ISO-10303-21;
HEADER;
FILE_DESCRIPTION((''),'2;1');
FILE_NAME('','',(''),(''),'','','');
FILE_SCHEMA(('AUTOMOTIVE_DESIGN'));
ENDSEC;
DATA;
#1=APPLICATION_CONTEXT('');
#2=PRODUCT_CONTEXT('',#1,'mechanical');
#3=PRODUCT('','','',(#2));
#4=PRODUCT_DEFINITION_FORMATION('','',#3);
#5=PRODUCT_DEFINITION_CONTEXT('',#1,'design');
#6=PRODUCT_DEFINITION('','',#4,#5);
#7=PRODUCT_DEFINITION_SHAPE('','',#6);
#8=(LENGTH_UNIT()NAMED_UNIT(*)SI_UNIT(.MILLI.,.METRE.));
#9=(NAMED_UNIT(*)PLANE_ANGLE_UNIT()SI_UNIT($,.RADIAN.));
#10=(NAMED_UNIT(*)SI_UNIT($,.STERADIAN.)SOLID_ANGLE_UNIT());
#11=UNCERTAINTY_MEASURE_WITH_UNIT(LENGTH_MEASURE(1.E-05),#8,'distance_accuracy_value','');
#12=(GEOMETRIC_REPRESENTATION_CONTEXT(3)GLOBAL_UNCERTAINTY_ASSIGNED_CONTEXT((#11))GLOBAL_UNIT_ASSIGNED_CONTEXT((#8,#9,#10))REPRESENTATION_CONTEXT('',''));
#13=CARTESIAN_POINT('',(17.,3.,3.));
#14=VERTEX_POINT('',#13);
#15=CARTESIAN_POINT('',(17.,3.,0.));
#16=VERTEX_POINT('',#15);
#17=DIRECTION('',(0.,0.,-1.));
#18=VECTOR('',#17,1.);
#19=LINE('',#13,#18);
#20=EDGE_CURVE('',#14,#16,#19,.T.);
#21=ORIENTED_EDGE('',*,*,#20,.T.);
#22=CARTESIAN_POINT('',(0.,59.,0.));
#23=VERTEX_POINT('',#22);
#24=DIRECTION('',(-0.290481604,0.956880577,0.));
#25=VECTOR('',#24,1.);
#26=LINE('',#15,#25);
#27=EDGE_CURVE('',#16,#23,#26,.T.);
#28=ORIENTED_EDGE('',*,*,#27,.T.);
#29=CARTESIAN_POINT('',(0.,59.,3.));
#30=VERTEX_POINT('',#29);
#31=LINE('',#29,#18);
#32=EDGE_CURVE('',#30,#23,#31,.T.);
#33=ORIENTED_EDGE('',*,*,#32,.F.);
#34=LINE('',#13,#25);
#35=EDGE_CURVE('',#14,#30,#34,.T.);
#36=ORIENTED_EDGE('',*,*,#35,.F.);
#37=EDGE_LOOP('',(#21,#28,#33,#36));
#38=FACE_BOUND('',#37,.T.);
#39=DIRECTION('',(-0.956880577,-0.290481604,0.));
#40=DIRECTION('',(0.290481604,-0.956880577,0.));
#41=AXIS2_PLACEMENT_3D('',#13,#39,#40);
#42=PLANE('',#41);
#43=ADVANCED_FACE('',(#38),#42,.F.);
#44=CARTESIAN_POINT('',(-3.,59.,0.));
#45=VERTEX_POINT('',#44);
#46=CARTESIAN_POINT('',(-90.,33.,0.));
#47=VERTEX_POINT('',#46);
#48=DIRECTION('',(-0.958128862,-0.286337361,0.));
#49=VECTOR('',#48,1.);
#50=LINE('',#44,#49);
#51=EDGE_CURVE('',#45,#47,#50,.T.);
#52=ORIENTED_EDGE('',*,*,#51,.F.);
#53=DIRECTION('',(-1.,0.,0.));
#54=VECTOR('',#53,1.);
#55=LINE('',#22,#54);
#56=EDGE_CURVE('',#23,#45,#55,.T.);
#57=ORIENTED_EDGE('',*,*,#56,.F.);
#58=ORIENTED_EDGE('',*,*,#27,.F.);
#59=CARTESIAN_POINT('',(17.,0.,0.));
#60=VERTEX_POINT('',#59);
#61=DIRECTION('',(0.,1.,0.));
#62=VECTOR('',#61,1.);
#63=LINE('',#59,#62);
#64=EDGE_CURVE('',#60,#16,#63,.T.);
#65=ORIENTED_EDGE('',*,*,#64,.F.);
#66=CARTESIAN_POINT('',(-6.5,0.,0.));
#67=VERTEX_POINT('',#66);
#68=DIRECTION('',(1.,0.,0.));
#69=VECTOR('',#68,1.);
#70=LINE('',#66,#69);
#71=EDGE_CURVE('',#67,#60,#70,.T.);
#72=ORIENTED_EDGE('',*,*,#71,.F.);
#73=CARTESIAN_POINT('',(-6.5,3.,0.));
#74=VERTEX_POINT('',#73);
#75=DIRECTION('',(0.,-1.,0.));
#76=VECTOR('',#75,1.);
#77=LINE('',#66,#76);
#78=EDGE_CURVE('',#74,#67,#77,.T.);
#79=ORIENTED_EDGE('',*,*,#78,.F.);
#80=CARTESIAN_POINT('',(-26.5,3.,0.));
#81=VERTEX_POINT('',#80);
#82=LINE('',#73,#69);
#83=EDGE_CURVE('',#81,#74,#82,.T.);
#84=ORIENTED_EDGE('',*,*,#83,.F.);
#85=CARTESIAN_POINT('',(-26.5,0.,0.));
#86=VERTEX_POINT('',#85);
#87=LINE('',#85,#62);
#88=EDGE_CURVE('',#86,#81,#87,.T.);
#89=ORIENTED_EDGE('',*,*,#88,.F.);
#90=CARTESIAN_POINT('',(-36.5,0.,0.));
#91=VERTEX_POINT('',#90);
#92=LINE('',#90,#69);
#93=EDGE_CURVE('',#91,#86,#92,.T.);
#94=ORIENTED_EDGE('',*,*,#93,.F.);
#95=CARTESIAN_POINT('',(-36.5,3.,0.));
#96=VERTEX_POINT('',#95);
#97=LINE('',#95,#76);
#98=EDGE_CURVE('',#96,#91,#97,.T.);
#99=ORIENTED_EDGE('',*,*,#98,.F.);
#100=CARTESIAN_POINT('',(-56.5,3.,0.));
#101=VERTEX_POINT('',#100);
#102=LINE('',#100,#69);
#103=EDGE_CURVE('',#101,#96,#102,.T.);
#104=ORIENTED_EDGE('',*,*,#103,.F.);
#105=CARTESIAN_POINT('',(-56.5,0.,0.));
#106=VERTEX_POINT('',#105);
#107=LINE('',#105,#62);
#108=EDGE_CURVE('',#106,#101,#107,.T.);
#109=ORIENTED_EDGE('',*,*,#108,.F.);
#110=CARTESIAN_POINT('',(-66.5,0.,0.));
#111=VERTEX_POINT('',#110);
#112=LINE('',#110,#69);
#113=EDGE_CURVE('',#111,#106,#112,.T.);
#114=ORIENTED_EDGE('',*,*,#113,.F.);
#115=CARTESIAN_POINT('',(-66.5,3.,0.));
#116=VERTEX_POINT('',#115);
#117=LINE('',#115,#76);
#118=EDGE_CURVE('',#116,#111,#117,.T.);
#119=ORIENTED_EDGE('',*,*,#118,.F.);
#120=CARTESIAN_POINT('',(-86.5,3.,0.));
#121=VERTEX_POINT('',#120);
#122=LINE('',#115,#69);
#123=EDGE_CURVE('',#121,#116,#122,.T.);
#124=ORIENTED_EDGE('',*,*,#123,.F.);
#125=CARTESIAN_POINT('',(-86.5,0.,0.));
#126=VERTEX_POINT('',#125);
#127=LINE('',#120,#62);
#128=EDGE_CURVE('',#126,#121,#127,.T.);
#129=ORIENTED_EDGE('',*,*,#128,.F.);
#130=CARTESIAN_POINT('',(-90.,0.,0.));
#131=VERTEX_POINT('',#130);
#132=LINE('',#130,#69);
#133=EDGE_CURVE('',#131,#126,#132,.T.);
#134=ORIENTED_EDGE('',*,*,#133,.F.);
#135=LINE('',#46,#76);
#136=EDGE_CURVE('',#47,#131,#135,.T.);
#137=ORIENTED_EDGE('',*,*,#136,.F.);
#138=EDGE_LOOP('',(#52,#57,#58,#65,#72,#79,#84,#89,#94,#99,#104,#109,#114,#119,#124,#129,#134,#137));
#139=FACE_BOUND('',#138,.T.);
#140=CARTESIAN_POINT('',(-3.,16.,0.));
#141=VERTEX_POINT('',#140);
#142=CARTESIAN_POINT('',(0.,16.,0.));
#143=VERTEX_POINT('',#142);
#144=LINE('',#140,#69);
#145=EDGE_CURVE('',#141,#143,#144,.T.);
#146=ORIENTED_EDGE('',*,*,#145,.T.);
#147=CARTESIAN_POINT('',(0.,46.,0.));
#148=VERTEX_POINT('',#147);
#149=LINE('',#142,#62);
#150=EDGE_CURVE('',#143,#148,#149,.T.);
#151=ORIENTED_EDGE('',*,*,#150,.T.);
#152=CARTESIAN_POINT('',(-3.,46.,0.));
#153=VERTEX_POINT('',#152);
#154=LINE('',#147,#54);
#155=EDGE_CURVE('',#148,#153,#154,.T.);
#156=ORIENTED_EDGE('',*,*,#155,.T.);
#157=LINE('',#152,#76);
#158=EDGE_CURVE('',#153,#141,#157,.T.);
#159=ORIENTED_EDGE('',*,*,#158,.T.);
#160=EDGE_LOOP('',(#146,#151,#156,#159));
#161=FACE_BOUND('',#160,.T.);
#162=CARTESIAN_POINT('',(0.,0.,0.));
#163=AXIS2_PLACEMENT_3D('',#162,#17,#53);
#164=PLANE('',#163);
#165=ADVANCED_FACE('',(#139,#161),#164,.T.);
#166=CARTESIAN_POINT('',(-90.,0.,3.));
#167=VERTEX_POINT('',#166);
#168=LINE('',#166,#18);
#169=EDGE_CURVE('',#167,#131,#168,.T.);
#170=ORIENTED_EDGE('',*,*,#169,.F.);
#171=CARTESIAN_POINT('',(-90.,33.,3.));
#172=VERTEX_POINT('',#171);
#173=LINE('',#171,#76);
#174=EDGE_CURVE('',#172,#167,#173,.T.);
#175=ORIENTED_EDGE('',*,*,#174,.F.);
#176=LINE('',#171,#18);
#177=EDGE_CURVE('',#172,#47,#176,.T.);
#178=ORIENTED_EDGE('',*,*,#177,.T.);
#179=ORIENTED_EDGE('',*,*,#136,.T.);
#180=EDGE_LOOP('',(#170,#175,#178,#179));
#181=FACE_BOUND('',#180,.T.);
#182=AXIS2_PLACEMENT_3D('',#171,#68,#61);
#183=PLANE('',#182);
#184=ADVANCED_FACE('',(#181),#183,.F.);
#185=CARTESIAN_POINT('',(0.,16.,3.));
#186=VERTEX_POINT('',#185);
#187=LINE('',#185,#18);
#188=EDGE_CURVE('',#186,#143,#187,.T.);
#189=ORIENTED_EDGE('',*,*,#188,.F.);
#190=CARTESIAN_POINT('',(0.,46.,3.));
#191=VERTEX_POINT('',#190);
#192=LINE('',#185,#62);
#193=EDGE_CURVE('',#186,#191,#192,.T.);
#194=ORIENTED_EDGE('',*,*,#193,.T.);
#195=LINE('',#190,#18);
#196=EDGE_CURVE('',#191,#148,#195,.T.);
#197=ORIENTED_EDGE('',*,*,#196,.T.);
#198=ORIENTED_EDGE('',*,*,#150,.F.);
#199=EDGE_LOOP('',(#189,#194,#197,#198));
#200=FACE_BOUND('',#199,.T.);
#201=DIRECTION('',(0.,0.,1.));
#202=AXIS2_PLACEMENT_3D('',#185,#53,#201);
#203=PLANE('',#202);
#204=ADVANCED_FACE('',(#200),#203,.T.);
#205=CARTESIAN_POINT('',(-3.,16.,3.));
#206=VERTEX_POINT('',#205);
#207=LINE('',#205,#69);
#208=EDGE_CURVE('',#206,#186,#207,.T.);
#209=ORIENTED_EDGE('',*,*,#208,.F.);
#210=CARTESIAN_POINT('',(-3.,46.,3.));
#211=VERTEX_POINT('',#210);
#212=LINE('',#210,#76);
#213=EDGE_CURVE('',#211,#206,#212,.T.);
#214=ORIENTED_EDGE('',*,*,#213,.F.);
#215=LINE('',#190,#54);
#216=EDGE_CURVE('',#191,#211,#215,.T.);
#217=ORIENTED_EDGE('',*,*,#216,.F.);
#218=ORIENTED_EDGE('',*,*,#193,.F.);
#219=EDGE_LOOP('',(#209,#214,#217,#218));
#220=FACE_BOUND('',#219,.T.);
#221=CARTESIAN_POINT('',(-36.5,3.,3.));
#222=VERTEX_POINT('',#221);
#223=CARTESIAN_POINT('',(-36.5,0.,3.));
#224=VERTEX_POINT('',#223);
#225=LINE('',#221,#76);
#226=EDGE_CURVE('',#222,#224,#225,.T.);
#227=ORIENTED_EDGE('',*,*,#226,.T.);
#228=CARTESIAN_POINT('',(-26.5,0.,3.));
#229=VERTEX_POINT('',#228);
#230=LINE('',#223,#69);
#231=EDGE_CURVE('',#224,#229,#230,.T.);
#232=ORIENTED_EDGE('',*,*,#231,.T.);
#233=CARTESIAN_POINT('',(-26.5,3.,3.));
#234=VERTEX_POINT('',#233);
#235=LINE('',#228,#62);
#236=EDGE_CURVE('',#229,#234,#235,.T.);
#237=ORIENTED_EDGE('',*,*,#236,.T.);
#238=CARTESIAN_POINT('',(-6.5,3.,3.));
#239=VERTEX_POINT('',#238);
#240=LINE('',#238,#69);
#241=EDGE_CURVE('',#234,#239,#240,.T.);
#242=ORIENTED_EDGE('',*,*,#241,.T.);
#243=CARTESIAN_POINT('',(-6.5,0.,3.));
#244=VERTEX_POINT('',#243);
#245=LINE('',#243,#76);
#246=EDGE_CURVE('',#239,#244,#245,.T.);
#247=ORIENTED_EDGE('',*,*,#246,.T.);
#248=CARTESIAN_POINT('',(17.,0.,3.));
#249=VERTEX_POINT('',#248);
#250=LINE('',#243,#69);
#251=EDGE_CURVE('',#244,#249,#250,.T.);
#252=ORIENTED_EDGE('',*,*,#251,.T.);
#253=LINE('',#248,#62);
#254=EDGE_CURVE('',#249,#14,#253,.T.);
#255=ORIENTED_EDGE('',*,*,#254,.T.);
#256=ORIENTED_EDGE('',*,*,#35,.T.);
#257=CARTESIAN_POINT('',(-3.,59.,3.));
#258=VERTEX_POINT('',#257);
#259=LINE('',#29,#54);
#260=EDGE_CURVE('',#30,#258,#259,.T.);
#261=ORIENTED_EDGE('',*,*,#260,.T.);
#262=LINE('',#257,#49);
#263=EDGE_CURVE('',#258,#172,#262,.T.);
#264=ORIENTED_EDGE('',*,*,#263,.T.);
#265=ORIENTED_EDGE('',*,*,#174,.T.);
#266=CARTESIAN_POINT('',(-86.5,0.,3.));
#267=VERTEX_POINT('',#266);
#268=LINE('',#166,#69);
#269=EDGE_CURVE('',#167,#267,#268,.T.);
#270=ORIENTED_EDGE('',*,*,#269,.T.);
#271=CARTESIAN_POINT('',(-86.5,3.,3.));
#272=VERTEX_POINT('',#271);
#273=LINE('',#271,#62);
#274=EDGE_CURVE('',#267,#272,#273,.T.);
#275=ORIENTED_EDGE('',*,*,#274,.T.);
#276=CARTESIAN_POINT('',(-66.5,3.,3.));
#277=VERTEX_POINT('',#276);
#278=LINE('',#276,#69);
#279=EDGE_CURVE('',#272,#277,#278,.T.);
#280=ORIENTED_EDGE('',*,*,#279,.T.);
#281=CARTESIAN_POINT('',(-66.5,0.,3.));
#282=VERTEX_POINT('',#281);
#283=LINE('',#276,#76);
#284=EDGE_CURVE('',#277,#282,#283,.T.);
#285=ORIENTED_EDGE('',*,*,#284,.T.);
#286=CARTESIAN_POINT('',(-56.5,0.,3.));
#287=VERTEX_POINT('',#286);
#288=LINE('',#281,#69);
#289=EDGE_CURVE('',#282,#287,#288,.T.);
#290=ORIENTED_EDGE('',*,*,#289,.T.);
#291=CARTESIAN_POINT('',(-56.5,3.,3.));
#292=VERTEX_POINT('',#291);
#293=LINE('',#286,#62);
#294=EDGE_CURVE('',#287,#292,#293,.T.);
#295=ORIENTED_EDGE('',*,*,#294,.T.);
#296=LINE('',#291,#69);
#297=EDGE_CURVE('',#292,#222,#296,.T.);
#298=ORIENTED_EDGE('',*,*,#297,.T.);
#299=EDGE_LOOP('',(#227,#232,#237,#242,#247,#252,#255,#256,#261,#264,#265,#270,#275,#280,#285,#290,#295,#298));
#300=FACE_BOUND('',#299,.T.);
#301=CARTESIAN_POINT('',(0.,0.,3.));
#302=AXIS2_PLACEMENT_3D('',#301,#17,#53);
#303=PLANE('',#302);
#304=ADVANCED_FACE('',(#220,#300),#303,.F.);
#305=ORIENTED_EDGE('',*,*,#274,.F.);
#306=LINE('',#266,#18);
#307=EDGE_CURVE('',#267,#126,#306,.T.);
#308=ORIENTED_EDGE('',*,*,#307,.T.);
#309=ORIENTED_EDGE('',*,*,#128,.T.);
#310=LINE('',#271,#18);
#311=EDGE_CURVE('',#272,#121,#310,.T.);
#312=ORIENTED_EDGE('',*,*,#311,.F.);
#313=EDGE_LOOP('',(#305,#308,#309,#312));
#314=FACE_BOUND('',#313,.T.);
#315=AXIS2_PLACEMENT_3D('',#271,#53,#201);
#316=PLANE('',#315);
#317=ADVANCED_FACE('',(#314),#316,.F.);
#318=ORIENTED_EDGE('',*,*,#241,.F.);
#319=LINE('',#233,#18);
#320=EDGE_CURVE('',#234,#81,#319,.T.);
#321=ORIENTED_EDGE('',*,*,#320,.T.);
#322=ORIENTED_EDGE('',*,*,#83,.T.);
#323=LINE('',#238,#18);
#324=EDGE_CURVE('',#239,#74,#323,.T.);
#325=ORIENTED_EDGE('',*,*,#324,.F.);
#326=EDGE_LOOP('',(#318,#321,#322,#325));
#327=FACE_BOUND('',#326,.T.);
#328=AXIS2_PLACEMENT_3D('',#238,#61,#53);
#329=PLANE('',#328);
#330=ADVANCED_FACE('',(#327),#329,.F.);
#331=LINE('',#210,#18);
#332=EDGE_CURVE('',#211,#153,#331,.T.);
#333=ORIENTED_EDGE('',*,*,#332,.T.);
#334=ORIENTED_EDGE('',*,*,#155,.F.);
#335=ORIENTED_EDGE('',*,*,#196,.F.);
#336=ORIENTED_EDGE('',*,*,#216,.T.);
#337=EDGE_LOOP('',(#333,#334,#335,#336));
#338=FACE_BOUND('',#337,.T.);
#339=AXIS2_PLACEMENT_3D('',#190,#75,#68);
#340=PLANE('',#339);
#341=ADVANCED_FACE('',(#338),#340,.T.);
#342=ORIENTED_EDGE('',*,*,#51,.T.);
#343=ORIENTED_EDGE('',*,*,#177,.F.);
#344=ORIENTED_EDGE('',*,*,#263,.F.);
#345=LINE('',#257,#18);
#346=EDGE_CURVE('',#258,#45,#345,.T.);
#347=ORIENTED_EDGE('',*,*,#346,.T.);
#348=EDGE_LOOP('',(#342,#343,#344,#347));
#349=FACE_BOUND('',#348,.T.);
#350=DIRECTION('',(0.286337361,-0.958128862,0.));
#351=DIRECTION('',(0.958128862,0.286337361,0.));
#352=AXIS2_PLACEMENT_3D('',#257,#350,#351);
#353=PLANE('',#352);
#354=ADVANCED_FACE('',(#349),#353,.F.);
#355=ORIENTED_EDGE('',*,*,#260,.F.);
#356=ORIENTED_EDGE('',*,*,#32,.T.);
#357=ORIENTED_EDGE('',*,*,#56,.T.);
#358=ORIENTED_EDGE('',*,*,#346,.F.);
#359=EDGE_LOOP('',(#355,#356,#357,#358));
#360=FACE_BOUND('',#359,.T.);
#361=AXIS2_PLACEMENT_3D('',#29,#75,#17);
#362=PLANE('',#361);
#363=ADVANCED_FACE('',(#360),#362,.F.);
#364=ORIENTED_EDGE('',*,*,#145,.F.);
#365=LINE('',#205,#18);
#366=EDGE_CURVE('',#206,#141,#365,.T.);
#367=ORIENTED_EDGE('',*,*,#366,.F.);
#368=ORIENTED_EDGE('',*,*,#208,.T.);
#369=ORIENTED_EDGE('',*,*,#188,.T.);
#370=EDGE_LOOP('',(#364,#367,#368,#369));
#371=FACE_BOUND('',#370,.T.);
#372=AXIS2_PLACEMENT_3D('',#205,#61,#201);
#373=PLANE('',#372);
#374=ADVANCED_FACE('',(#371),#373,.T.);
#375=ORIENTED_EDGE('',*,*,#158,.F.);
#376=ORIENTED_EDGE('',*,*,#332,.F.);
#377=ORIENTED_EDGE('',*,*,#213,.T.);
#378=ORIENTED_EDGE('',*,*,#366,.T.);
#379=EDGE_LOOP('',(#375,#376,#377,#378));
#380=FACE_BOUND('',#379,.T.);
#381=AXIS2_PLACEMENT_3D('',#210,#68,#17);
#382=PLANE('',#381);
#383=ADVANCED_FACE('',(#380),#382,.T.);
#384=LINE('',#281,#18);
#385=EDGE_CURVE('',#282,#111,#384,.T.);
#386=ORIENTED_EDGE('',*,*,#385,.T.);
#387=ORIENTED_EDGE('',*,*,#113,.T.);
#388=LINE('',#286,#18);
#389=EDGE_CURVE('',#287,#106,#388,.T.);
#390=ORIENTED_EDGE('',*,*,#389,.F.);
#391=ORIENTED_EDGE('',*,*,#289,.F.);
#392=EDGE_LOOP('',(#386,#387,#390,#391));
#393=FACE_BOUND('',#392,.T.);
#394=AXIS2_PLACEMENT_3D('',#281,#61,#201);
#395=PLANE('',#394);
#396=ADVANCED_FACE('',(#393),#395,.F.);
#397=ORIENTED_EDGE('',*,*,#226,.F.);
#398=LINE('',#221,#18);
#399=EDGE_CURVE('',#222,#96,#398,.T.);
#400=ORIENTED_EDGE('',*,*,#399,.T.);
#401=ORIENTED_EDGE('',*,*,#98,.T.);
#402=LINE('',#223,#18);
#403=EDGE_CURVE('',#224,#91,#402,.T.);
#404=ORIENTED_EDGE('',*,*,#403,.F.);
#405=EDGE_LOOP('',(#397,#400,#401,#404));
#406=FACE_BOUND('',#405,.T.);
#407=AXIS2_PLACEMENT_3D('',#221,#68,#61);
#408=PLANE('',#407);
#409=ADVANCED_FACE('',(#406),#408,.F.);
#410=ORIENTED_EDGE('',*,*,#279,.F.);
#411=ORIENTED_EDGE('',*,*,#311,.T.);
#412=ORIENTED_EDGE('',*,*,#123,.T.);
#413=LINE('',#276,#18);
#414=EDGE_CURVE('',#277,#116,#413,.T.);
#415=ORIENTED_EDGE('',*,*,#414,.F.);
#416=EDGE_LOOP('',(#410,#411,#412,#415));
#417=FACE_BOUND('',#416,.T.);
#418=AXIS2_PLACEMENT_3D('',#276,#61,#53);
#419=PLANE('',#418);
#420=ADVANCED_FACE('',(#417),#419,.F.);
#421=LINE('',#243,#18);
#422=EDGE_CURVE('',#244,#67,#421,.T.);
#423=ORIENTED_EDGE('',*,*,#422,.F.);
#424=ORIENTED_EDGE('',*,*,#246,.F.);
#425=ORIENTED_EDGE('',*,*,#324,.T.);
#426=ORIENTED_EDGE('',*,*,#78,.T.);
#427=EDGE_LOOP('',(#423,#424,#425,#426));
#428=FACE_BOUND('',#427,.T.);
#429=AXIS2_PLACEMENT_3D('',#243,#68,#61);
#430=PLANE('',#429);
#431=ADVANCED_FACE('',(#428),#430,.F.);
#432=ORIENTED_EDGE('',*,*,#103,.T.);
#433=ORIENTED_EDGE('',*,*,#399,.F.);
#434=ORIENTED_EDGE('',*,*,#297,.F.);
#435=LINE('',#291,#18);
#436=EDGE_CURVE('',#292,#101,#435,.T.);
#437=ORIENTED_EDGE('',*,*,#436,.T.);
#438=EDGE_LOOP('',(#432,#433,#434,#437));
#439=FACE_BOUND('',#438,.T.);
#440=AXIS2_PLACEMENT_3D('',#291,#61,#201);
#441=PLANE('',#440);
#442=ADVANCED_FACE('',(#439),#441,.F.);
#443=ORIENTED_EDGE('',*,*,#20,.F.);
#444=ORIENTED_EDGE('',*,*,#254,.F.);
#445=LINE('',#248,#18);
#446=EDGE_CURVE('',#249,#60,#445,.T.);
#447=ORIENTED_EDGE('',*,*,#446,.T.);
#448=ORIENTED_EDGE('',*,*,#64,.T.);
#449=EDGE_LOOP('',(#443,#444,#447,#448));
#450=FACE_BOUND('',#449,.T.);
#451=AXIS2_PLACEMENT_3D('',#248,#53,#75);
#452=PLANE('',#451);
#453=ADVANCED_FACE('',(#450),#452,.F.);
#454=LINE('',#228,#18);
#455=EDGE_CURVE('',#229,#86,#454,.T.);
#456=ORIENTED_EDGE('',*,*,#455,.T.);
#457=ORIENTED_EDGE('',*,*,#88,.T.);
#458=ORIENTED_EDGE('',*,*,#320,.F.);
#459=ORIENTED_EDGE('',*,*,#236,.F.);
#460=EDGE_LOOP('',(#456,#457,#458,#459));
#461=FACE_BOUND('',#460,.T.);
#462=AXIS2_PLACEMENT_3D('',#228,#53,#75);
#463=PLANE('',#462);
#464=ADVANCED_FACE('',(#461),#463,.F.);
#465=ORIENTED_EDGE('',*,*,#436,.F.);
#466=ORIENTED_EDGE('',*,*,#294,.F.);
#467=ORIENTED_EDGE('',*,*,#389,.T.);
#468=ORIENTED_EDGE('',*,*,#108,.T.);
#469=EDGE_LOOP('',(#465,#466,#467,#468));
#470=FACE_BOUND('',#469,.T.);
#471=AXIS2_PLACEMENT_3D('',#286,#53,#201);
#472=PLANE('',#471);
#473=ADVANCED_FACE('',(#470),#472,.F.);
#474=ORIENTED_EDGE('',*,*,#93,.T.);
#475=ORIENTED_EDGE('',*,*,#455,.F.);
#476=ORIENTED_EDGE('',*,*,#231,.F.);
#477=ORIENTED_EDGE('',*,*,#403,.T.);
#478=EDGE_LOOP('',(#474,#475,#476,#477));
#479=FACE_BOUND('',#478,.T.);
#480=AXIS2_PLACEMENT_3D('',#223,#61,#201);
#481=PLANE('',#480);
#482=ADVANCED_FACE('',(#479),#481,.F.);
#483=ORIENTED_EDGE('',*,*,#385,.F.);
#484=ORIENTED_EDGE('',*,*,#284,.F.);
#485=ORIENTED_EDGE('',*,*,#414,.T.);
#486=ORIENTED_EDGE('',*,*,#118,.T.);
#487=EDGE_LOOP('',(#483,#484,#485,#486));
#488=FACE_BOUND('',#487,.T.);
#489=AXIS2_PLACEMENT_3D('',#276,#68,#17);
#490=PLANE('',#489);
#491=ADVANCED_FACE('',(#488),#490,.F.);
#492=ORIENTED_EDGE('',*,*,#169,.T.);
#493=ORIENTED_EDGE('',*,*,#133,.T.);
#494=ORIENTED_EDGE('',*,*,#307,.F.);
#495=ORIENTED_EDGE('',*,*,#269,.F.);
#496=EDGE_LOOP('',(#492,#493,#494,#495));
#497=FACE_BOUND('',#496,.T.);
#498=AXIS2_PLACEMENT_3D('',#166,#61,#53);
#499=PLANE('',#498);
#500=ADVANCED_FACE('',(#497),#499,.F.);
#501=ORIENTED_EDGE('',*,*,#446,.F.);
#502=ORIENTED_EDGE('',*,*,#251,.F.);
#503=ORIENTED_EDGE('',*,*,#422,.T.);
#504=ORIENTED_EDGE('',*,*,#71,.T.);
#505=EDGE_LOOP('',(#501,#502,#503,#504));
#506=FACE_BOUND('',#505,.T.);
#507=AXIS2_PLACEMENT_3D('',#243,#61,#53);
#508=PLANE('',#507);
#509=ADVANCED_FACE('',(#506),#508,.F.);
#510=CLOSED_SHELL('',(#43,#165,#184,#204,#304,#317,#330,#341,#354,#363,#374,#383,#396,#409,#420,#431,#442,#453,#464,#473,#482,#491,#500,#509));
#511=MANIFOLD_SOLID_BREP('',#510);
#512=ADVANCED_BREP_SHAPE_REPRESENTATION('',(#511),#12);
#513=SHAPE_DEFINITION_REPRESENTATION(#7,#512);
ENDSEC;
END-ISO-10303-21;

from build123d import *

# Parameters (mm, degrees)
SKETCH1_W           = 3
SKETCH1_H           = 30
BOSS_EXTRUDE1_DEPTH = 3


with BuildPart() as part:
    # Sketch1 → Boss-Extrude1 (new body)
    with BuildSketch(Plane.XY):
        Polygon((-90, 0), (-86.5, 0), (-86.5, 3), (-66.5, 3), (-66.5, 0), (-56.5, 0), (-56.5, 3), (-36.5, 3), (-36.5, 0), (-26.5, 0), (-26.5, 3), (-6.5, 3), (-6.5, 0), (17, 0), (17, 3), (0, 59), (-3, 59), (-90, 33), align=None)
        with Locations((-1.5, 31)):
            Rectangle(SKETCH1_W, SKETCH1_H, mode=Mode.SUBTRACT)
    extrude(amount=BOSS_EXTRUDE1_DEPTH)


solid = part.part
